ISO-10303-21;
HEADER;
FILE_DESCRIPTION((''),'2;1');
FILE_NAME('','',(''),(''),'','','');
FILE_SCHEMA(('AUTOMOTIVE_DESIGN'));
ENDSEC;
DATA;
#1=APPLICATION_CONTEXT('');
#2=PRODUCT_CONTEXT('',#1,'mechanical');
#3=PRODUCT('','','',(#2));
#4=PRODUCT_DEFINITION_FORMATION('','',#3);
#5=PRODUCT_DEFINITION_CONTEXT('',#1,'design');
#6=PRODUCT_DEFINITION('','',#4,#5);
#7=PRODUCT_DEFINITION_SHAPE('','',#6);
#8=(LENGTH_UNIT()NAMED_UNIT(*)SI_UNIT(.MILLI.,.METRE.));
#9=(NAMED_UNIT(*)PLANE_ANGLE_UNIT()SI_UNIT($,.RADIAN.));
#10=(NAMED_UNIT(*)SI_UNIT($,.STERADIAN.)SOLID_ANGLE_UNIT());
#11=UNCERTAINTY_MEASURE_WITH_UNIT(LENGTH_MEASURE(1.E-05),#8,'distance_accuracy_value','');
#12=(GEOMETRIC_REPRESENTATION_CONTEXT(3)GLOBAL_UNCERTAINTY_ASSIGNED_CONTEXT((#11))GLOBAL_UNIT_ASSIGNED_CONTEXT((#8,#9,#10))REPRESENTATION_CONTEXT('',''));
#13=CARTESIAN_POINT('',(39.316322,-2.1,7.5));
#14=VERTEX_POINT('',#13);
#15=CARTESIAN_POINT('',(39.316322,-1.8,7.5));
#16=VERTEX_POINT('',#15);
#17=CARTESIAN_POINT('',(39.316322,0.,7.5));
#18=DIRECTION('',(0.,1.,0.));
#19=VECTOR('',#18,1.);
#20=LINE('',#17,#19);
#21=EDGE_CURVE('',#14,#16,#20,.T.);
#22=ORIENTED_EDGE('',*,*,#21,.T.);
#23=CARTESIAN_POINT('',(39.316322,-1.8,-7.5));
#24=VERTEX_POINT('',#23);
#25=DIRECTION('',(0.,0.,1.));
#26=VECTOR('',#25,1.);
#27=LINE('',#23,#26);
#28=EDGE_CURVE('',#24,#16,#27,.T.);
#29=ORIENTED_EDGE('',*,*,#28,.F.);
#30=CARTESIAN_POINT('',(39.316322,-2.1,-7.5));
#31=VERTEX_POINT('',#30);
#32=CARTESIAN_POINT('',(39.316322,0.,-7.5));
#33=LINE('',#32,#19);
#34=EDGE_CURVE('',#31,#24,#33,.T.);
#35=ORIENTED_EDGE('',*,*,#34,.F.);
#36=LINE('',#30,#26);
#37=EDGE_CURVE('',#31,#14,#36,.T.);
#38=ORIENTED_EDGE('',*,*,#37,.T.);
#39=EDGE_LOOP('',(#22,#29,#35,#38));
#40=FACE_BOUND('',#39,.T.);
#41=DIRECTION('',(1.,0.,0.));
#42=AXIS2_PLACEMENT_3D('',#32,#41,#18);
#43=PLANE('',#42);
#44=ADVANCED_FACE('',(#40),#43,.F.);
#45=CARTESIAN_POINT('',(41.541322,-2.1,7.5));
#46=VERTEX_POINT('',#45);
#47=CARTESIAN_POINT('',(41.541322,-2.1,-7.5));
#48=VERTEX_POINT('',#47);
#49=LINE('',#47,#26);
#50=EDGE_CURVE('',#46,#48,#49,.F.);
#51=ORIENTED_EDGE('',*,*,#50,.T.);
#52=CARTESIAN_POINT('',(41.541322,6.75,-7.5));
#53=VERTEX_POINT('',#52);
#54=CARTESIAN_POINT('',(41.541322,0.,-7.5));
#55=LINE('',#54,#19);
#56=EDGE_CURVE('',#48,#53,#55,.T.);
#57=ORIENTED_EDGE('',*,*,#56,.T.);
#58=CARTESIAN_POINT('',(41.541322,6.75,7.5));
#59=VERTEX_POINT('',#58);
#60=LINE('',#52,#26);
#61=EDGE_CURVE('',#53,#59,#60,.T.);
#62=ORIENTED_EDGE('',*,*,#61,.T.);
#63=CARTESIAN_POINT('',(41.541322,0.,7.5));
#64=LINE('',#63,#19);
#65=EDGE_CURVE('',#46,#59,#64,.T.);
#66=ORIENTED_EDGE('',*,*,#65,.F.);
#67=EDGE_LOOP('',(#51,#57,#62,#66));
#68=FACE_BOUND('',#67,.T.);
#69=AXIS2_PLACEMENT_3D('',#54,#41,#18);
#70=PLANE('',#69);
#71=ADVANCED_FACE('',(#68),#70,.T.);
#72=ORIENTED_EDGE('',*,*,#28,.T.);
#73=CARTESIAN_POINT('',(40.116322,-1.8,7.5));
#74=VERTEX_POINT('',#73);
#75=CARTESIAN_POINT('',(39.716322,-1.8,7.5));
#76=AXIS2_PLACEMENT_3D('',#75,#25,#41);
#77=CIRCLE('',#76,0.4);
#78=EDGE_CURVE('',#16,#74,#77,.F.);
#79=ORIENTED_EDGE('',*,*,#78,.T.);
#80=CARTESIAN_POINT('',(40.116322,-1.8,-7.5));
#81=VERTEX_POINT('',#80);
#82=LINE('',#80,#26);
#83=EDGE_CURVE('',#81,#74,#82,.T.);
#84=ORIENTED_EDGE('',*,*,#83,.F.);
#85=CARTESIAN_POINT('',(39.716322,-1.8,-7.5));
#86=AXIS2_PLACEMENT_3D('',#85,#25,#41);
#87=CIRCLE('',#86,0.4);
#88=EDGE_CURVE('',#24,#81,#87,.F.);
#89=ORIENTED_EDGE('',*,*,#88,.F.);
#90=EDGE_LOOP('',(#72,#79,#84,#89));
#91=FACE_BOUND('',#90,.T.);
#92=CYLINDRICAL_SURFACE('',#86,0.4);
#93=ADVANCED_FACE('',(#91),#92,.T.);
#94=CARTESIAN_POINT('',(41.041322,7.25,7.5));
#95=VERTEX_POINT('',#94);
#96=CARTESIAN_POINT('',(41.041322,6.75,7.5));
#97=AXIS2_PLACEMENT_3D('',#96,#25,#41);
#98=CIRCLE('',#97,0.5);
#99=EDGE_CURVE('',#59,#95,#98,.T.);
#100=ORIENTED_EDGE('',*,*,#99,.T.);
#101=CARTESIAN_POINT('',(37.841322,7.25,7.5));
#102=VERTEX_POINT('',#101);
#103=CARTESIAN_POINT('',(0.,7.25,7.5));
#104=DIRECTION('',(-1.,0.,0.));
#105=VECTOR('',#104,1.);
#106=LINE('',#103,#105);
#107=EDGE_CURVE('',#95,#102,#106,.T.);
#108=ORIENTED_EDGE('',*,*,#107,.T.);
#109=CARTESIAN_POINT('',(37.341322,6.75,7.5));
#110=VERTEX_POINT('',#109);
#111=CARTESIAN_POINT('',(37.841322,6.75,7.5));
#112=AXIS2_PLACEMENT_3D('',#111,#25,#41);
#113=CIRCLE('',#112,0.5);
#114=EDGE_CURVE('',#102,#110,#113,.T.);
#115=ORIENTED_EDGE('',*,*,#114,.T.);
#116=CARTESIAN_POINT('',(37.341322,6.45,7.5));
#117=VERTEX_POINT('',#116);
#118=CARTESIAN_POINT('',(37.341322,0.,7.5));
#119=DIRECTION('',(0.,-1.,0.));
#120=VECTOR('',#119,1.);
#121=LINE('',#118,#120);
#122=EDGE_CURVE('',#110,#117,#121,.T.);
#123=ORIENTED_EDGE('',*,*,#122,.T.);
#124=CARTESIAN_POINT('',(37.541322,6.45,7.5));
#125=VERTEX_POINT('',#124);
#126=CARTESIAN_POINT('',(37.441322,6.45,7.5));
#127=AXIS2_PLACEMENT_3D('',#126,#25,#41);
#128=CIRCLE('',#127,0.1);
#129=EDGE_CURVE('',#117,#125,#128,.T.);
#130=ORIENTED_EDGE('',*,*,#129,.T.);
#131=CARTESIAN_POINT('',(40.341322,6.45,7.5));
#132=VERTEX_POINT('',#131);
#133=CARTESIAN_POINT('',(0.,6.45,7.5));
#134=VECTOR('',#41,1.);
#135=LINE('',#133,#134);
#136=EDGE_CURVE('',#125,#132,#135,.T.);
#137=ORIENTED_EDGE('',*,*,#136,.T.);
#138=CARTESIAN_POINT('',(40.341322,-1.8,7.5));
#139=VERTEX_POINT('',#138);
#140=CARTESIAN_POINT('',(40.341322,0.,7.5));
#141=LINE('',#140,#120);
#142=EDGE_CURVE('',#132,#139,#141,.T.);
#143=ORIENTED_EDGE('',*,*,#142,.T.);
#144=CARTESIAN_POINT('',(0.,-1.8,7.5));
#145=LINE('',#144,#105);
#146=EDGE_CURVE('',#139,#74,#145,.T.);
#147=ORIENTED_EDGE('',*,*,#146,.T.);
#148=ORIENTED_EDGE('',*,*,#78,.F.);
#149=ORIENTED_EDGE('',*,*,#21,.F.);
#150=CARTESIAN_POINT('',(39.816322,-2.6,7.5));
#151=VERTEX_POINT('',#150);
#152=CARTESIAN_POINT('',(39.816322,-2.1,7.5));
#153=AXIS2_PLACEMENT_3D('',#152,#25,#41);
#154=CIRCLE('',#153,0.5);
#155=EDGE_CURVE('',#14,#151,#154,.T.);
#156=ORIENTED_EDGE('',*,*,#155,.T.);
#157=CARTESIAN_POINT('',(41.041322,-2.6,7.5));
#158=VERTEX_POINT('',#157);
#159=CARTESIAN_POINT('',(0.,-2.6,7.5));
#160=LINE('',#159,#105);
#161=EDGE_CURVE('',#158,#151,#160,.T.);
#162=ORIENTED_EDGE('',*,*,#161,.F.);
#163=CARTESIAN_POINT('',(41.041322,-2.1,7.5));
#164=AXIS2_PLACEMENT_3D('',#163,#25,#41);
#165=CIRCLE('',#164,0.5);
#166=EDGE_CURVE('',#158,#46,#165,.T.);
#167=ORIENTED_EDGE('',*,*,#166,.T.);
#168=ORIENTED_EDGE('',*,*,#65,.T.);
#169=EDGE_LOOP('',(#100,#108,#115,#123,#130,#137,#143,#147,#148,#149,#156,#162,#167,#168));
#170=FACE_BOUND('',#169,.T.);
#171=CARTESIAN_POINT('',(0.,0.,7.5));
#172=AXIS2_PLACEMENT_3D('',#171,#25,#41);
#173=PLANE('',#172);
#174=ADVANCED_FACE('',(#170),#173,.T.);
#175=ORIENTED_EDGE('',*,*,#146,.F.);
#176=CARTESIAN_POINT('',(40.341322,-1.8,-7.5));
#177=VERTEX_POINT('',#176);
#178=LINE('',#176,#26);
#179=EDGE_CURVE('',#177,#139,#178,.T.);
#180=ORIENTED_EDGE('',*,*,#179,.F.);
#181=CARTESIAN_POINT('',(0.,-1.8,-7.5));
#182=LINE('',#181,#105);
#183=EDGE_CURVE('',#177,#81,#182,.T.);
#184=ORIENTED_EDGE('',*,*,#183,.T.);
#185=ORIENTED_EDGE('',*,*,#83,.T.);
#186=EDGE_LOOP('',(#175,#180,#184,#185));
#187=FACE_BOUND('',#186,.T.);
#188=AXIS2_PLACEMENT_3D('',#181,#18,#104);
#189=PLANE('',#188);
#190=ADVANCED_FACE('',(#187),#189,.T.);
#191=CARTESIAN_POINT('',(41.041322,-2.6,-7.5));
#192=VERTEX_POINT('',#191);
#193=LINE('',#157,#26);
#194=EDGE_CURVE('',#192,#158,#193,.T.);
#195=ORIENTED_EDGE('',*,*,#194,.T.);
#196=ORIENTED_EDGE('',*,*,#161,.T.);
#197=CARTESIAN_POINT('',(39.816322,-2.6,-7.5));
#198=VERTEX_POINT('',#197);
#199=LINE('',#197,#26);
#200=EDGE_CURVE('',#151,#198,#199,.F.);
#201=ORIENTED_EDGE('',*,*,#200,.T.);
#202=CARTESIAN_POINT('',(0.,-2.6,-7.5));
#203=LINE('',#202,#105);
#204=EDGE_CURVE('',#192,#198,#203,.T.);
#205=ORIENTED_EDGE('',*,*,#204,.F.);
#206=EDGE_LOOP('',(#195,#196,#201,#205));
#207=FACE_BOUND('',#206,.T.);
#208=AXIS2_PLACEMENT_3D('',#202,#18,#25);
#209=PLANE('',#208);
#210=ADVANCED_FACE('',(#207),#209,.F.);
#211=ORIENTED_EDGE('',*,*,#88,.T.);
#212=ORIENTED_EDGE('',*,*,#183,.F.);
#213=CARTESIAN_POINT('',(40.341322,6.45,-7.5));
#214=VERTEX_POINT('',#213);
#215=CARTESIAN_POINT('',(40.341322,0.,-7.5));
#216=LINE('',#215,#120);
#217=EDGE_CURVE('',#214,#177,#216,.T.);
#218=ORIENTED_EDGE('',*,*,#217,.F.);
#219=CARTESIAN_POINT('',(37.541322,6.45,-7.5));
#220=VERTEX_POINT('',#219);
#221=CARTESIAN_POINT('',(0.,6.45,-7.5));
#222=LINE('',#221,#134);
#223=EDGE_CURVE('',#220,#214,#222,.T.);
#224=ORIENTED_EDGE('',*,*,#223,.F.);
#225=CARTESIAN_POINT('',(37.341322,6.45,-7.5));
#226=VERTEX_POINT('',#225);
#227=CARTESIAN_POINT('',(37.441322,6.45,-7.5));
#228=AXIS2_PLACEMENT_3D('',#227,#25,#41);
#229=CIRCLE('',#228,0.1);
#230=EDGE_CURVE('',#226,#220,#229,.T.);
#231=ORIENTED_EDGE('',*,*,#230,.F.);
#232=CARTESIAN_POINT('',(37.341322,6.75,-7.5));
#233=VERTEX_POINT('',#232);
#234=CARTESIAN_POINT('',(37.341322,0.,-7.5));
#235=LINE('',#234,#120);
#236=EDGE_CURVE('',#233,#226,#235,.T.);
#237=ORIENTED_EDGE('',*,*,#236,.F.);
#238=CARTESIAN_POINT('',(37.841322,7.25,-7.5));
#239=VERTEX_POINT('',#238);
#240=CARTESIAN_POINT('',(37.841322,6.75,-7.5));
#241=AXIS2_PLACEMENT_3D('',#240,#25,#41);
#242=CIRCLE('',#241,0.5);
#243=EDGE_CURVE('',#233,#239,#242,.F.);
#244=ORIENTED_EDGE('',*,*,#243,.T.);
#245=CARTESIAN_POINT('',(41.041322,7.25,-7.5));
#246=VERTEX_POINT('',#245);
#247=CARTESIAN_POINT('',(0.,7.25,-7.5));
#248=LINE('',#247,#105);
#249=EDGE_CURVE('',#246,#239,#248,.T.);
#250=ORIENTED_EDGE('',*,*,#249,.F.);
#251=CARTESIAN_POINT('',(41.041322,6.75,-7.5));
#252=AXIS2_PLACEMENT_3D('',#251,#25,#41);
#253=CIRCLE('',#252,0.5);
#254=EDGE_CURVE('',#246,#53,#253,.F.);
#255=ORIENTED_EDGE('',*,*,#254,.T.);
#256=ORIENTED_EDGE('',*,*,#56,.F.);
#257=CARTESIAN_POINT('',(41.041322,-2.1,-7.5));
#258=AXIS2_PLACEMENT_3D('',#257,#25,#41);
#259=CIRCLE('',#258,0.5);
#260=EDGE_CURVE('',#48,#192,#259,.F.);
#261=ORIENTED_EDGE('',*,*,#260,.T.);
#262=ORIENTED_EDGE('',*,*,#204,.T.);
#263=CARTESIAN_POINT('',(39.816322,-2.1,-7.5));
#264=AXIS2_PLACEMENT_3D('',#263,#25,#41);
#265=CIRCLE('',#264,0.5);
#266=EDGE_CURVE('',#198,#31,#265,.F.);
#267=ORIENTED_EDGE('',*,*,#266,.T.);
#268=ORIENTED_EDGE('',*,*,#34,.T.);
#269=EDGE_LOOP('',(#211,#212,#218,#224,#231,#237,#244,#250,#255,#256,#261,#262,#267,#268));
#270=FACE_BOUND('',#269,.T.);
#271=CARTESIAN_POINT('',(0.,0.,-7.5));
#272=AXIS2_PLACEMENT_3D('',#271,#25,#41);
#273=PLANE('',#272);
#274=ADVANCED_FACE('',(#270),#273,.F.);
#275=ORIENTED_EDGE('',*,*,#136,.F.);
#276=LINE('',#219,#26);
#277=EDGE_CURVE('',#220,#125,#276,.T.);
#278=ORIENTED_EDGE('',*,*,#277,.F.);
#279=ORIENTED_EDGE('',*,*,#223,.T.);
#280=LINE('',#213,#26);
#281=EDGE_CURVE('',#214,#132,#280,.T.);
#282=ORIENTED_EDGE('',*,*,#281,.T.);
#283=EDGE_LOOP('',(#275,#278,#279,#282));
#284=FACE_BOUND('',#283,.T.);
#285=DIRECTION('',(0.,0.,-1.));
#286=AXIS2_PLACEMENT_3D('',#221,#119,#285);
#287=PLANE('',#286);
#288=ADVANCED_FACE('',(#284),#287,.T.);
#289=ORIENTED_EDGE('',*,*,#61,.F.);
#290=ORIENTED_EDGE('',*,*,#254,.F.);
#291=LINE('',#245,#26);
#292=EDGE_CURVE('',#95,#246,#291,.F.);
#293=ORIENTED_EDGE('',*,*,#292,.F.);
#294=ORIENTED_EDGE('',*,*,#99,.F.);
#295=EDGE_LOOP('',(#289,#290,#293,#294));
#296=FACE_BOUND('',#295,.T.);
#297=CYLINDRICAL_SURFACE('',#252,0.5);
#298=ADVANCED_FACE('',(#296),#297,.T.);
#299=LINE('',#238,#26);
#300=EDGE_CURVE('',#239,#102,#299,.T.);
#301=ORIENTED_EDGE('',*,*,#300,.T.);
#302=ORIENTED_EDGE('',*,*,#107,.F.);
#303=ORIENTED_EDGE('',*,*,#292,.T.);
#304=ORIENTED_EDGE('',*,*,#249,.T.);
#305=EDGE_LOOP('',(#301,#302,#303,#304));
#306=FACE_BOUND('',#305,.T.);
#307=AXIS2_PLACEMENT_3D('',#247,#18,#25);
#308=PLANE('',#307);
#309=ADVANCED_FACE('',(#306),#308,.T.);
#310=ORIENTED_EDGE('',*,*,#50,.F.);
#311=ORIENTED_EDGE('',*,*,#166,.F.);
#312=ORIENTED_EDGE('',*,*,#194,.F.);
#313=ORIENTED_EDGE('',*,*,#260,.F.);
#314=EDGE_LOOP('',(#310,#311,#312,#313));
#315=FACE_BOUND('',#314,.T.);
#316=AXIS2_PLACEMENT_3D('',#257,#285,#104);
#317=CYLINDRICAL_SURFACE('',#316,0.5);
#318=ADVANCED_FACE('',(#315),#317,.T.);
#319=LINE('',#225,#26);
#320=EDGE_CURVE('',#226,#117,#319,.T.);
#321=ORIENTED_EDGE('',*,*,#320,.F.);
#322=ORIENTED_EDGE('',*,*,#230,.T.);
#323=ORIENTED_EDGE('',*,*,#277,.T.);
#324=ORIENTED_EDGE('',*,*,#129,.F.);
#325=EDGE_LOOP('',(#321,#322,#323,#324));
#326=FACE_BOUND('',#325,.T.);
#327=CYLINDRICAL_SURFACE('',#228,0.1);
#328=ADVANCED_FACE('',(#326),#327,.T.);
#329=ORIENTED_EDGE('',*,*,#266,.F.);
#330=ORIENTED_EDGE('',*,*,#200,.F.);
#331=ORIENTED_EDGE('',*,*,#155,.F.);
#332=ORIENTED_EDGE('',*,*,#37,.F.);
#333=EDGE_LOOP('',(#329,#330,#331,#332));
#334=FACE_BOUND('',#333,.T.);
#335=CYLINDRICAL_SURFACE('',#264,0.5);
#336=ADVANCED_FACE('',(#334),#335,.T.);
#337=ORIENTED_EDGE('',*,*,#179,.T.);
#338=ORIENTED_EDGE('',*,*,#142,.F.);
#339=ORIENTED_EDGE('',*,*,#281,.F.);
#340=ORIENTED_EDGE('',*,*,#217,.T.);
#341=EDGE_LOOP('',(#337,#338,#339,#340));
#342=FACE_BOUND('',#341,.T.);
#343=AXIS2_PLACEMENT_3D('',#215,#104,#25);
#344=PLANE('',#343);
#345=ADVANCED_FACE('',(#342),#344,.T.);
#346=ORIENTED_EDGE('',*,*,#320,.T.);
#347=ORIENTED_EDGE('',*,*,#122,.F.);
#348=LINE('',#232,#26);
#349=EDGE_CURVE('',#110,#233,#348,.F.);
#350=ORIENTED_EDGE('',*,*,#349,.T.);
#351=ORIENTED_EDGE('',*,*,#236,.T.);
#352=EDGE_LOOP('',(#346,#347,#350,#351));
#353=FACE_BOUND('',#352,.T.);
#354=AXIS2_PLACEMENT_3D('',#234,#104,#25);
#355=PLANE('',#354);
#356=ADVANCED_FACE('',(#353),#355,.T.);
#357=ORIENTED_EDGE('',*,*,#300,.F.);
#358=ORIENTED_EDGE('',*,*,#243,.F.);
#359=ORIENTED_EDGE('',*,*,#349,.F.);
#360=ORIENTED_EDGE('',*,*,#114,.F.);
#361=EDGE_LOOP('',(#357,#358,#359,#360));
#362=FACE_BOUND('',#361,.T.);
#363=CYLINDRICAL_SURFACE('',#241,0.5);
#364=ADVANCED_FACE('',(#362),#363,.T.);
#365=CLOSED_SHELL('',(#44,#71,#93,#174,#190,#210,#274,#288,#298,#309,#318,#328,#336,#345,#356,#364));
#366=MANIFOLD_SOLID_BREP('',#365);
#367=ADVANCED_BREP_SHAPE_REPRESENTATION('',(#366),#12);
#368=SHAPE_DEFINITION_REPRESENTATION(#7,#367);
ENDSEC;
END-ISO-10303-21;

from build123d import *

# Parameters (mm, degrees)
BOSS_EXTRUDE1_DEPTH      = 7.5
BOSS_EXTRUDE1_DEPTH_BACK = 7.5
FILLET1_R                = 0.5


with BuildPart() as part:
    # Sketch2 → Boss-Extrude1 (new, two sides: drawn at the far end of the back side and taken through both)
    with BuildSketch(Plane.XY.offset(-BOSS_EXTRUDE1_DEPTH_BACK)):
        with BuildLine():
            Line((41.541321959, 7.25), (37.341321959, 7.25))
            Line((37.341321959, 7.25), (37.341321959, 6.45))
            ThreePointArc((37.341321959, 6.45), (37.441321959, 6.35), (37.541321959, 6.45))
            Line((37.541321959, 6.45), (40.341321959, 6.45))
            Line((40.341321959, 6.45), (40.341321959, -1.8))
            Line((40.341321959, -1.8), (40.116321959, -1.8))
            ThreePointArc((40.116321959, -1.8), (39.716321959, -1.4), (39.316321959, -1.8))
            Line((39.316321959, -1.8), (39.316321959, -2.6))
            Line((39.316321959, -2.6), (41.541321959, -2.6))
            Line((41.541321959, -2.6), (41.541321959, 7.25))
        make_face()
    extrude(amount=BOSS_EXTRUDE1_DEPTH + BOSS_EXTRUDE1_DEPTH_BACK)

    # Fillet1
    fillet1_edges = [part.edges().sort_by_distance(p)[0] for p in [
        (37.341321959, 7.25, 0),
        (39.316321959, -2.6, 0),
        (41.541321959, -2.6, 0),
        (41.541321959, 7.25, 0),
    ]]
    fillet(fillet1_edges, radius=FILLET1_R)


solid = part.part
